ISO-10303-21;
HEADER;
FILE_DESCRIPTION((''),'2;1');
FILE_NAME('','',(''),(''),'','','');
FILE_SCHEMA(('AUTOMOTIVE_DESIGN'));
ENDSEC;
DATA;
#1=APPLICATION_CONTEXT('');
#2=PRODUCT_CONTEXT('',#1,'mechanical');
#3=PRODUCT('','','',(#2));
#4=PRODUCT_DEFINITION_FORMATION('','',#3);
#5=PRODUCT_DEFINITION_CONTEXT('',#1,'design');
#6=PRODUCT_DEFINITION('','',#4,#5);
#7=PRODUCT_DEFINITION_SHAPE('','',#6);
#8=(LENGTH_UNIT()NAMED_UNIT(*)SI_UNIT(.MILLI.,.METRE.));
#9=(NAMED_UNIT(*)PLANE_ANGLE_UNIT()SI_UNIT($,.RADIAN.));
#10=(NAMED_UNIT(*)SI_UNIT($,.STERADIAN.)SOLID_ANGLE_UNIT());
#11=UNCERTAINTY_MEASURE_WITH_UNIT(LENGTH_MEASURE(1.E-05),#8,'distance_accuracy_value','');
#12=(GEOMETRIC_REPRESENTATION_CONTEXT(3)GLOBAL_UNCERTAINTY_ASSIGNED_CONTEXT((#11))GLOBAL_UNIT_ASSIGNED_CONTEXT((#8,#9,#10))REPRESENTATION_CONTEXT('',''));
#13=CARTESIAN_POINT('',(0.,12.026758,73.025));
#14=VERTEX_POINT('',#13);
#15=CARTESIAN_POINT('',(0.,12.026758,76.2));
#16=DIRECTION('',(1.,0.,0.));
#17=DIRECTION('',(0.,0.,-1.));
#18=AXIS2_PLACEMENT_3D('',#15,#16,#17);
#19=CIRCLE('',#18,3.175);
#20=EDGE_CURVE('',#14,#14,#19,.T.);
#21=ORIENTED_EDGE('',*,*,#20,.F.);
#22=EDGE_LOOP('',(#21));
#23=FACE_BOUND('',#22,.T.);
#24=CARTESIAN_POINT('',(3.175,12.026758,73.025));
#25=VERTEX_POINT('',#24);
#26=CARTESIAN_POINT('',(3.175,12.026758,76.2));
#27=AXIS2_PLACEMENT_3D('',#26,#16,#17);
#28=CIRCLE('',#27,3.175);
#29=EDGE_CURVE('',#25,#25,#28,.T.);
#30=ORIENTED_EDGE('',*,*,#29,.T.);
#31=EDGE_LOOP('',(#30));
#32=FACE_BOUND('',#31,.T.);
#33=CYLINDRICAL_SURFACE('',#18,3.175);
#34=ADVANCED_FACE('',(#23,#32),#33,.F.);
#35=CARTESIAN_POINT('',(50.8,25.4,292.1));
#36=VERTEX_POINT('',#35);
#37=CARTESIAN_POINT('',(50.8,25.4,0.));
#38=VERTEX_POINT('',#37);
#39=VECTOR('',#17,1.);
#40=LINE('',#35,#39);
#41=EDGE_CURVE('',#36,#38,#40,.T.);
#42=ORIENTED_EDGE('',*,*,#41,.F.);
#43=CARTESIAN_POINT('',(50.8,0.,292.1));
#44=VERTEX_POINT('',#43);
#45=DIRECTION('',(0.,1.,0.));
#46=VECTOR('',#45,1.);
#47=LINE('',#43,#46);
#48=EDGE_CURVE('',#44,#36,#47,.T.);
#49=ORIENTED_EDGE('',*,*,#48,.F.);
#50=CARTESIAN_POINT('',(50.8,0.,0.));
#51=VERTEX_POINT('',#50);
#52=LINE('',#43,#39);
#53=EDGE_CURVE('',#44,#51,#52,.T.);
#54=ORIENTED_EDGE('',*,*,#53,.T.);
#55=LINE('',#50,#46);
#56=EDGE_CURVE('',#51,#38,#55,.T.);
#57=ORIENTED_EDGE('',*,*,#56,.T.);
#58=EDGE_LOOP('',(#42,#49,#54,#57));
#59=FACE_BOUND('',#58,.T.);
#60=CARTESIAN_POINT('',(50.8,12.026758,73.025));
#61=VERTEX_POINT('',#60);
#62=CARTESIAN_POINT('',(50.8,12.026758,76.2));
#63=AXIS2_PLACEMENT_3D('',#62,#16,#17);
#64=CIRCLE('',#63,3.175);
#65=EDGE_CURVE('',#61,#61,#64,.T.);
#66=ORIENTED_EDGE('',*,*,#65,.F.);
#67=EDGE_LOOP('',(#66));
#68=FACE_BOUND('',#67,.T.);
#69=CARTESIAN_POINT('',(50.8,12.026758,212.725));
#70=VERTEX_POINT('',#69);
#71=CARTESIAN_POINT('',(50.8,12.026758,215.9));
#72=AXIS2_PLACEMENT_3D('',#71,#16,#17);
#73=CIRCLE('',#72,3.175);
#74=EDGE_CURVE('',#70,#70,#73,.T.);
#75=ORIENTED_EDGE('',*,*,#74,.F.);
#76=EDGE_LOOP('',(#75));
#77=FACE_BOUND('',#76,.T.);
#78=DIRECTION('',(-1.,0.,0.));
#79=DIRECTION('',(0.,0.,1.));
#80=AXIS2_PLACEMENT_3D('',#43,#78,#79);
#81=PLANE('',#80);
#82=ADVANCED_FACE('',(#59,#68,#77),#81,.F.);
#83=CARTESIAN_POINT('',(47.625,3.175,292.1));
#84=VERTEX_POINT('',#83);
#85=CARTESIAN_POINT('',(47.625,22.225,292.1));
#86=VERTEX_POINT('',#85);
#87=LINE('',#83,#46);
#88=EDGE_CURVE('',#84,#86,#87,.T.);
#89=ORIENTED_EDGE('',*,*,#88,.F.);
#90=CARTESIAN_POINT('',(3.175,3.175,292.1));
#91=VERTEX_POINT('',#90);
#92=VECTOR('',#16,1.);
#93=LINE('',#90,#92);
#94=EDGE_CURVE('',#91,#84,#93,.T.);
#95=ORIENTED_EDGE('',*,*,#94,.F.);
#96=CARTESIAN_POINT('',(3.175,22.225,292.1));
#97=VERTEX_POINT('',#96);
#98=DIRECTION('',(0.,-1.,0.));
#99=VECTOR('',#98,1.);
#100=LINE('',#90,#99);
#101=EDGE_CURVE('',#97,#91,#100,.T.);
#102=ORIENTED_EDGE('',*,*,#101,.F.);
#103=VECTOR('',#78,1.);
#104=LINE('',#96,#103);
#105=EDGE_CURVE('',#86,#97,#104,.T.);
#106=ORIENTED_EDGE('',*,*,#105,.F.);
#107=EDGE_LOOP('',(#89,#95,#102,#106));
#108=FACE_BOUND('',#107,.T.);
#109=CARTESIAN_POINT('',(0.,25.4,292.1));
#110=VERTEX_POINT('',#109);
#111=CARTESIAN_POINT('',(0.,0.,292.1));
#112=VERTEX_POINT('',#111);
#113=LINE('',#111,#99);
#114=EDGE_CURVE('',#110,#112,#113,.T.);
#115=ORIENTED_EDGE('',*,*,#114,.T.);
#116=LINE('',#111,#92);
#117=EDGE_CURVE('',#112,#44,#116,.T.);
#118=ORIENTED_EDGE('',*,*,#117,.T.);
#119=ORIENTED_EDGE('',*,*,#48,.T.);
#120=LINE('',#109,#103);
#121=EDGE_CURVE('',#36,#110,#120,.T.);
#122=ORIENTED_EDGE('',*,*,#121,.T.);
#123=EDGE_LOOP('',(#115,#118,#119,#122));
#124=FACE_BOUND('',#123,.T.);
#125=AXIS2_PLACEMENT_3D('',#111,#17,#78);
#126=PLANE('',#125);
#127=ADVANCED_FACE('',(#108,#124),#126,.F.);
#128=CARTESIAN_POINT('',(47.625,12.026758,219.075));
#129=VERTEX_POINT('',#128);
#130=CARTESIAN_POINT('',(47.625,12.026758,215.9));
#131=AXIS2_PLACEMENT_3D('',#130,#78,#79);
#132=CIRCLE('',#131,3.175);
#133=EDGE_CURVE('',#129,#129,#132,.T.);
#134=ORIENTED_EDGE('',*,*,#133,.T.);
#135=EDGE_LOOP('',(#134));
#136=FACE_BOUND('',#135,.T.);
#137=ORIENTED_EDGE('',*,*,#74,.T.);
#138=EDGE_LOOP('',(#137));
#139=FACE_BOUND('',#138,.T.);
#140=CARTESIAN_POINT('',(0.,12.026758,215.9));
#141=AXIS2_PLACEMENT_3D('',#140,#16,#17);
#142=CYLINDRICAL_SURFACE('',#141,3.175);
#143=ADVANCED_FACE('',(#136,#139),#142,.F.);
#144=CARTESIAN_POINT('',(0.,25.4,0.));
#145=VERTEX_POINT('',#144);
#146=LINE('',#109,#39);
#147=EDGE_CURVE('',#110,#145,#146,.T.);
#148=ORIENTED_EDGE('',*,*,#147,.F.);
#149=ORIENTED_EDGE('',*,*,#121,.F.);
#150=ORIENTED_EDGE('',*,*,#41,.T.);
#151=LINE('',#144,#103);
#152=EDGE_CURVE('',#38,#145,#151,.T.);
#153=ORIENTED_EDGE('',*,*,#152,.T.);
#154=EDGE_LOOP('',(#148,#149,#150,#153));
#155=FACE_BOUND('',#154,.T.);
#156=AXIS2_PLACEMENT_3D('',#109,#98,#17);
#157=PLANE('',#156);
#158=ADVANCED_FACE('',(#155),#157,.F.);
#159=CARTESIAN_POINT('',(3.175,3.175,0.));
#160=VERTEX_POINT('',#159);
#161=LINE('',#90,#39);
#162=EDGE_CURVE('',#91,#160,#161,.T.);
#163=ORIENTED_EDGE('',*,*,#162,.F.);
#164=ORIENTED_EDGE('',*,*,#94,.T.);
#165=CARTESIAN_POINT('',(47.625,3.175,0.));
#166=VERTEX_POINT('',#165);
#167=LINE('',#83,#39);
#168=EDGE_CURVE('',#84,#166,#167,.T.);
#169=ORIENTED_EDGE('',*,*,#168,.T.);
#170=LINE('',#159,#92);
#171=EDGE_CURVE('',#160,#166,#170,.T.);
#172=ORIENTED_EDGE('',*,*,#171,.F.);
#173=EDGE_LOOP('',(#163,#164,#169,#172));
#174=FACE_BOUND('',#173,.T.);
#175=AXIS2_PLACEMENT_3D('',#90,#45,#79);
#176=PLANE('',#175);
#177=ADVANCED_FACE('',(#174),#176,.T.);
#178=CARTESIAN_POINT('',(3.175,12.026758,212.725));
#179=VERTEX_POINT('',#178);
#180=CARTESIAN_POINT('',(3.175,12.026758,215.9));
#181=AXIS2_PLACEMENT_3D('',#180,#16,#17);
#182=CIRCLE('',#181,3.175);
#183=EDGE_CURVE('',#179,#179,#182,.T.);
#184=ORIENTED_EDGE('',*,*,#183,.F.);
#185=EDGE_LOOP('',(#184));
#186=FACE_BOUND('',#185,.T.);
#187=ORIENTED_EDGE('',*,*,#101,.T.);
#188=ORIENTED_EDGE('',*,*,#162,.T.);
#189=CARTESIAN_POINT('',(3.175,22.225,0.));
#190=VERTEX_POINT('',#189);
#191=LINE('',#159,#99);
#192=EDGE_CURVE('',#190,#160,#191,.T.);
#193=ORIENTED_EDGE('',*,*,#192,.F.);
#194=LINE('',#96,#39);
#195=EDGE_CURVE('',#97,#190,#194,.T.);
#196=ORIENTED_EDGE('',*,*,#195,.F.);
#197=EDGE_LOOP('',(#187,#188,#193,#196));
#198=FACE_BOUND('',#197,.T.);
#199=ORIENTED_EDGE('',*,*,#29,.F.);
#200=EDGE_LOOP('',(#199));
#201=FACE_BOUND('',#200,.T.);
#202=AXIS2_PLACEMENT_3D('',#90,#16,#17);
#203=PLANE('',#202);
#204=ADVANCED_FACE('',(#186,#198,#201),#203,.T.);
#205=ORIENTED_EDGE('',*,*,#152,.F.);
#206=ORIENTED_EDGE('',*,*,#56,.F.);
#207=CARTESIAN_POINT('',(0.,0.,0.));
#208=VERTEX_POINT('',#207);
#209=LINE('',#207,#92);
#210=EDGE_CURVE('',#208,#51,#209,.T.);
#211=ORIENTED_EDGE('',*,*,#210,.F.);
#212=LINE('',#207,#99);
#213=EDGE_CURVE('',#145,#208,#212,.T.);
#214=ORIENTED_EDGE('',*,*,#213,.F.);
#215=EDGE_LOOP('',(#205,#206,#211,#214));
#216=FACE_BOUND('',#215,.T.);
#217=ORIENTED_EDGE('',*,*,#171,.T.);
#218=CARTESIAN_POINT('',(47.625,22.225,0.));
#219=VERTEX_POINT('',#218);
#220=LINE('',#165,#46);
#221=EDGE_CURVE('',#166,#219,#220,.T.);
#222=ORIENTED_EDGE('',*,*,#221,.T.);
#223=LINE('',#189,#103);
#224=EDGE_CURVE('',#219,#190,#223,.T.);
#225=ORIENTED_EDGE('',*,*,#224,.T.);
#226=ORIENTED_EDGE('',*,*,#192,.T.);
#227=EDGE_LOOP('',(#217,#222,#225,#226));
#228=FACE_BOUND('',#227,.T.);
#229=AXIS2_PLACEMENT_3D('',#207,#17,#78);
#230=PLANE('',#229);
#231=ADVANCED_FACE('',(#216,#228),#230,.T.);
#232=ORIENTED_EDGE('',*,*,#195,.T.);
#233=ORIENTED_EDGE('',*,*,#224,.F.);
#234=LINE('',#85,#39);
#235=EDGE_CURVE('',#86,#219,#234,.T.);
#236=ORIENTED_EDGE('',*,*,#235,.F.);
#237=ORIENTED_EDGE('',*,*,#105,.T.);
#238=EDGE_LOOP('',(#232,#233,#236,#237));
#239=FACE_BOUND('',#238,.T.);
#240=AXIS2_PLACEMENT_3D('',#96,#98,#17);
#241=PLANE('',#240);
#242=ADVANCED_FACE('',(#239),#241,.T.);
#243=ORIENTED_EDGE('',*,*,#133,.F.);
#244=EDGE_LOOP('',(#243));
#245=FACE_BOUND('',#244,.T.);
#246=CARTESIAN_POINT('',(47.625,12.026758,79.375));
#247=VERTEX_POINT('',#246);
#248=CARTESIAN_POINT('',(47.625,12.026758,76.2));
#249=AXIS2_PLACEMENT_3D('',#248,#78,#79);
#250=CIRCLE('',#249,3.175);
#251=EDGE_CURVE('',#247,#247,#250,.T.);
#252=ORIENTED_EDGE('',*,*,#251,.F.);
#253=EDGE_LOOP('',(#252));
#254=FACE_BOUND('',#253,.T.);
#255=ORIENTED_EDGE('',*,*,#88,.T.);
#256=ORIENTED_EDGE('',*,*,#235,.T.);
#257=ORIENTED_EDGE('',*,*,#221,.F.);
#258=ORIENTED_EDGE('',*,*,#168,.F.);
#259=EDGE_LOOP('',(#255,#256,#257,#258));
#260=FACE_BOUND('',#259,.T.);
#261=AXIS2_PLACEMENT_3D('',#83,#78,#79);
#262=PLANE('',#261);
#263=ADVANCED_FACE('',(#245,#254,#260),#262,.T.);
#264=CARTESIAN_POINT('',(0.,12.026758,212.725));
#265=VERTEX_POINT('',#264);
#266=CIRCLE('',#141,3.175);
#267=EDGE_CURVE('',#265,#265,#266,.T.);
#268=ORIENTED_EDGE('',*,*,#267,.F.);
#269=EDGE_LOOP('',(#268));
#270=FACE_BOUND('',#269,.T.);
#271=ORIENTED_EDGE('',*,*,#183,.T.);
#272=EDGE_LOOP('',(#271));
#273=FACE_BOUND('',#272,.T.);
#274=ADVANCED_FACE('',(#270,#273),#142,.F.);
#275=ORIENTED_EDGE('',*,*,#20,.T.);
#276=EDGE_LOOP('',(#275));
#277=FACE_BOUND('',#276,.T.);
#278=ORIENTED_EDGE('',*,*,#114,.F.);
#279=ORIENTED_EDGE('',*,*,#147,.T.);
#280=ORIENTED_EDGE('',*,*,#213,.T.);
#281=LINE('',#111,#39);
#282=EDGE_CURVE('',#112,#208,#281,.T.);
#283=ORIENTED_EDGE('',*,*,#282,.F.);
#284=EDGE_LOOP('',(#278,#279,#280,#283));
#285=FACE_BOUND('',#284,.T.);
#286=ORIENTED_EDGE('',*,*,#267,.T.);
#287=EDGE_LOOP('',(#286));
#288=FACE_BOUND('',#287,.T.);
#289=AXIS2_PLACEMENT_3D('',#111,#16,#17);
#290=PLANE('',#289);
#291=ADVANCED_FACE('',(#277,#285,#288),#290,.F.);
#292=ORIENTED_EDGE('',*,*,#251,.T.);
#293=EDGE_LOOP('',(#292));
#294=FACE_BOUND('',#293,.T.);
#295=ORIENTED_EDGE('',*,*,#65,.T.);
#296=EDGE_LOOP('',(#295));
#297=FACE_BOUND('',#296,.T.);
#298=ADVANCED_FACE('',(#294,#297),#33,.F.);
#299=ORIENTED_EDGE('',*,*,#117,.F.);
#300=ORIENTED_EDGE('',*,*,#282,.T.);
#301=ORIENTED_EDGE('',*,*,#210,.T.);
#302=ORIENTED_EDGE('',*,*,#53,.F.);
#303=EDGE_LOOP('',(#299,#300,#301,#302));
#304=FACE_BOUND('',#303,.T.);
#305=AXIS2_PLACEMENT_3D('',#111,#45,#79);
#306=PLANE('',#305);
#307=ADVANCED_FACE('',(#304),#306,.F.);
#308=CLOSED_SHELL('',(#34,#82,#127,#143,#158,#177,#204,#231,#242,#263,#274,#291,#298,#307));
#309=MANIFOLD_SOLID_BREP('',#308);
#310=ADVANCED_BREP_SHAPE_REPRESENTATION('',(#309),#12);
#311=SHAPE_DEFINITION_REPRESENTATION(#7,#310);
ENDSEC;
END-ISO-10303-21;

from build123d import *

# Parameters (mm, degrees)
SKETCH1_W               = 50.8
SKETCH1_H               = 25.4
SKETCH1_W_2             = 44.45
SKETCH1_H_2             = 19.05
BOSS_EXTRUDE1_DEPTH     = 292.1
CUT_EXTRUDE1_DEPTH      = 298.570512652
CUT_EXTRUDE1_DEPTH_BACK = 298.570512652
SKETCH2_R               = 3.175


with BuildPart() as part:
    # Sketch1 → Boss-Extrude1 (new body)
    with BuildSketch(Plane.XY):
        with Locations((25.4, 12.7)):
            Rectangle(SKETCH1_W, SKETCH1_H)
        with Locations((25.4, 12.7)):
            Rectangle(SKETCH1_W_2, SKETCH1_H_2, mode=Mode.SUBTRACT)
    extrude(amount=BOSS_EXTRUDE1_DEPTH)

    # Sketch2 → Cut-Extrude1 (cut, two sides: drawn at the far end of the back side and taken through both)
    with BuildSketch(Plane(origin=(50.8, 0, 0), x_dir=(0, 0, -1), z_dir=(1, 0, 0)).offset(-CUT_EXTRUDE1_DEPTH_BACK)):
        with Locations((-215.9, 12.026758398)):
            Circle(SKETCH2_R)
        with Locations((-76.2, 12.026758398)):
            Circle(SKETCH2_R)
    extrude(amount=CUT_EXTRUDE1_DEPTH + CUT_EXTRUDE1_DEPTH_BACK, mode=Mode.SUBTRACT)


solid = part.part
